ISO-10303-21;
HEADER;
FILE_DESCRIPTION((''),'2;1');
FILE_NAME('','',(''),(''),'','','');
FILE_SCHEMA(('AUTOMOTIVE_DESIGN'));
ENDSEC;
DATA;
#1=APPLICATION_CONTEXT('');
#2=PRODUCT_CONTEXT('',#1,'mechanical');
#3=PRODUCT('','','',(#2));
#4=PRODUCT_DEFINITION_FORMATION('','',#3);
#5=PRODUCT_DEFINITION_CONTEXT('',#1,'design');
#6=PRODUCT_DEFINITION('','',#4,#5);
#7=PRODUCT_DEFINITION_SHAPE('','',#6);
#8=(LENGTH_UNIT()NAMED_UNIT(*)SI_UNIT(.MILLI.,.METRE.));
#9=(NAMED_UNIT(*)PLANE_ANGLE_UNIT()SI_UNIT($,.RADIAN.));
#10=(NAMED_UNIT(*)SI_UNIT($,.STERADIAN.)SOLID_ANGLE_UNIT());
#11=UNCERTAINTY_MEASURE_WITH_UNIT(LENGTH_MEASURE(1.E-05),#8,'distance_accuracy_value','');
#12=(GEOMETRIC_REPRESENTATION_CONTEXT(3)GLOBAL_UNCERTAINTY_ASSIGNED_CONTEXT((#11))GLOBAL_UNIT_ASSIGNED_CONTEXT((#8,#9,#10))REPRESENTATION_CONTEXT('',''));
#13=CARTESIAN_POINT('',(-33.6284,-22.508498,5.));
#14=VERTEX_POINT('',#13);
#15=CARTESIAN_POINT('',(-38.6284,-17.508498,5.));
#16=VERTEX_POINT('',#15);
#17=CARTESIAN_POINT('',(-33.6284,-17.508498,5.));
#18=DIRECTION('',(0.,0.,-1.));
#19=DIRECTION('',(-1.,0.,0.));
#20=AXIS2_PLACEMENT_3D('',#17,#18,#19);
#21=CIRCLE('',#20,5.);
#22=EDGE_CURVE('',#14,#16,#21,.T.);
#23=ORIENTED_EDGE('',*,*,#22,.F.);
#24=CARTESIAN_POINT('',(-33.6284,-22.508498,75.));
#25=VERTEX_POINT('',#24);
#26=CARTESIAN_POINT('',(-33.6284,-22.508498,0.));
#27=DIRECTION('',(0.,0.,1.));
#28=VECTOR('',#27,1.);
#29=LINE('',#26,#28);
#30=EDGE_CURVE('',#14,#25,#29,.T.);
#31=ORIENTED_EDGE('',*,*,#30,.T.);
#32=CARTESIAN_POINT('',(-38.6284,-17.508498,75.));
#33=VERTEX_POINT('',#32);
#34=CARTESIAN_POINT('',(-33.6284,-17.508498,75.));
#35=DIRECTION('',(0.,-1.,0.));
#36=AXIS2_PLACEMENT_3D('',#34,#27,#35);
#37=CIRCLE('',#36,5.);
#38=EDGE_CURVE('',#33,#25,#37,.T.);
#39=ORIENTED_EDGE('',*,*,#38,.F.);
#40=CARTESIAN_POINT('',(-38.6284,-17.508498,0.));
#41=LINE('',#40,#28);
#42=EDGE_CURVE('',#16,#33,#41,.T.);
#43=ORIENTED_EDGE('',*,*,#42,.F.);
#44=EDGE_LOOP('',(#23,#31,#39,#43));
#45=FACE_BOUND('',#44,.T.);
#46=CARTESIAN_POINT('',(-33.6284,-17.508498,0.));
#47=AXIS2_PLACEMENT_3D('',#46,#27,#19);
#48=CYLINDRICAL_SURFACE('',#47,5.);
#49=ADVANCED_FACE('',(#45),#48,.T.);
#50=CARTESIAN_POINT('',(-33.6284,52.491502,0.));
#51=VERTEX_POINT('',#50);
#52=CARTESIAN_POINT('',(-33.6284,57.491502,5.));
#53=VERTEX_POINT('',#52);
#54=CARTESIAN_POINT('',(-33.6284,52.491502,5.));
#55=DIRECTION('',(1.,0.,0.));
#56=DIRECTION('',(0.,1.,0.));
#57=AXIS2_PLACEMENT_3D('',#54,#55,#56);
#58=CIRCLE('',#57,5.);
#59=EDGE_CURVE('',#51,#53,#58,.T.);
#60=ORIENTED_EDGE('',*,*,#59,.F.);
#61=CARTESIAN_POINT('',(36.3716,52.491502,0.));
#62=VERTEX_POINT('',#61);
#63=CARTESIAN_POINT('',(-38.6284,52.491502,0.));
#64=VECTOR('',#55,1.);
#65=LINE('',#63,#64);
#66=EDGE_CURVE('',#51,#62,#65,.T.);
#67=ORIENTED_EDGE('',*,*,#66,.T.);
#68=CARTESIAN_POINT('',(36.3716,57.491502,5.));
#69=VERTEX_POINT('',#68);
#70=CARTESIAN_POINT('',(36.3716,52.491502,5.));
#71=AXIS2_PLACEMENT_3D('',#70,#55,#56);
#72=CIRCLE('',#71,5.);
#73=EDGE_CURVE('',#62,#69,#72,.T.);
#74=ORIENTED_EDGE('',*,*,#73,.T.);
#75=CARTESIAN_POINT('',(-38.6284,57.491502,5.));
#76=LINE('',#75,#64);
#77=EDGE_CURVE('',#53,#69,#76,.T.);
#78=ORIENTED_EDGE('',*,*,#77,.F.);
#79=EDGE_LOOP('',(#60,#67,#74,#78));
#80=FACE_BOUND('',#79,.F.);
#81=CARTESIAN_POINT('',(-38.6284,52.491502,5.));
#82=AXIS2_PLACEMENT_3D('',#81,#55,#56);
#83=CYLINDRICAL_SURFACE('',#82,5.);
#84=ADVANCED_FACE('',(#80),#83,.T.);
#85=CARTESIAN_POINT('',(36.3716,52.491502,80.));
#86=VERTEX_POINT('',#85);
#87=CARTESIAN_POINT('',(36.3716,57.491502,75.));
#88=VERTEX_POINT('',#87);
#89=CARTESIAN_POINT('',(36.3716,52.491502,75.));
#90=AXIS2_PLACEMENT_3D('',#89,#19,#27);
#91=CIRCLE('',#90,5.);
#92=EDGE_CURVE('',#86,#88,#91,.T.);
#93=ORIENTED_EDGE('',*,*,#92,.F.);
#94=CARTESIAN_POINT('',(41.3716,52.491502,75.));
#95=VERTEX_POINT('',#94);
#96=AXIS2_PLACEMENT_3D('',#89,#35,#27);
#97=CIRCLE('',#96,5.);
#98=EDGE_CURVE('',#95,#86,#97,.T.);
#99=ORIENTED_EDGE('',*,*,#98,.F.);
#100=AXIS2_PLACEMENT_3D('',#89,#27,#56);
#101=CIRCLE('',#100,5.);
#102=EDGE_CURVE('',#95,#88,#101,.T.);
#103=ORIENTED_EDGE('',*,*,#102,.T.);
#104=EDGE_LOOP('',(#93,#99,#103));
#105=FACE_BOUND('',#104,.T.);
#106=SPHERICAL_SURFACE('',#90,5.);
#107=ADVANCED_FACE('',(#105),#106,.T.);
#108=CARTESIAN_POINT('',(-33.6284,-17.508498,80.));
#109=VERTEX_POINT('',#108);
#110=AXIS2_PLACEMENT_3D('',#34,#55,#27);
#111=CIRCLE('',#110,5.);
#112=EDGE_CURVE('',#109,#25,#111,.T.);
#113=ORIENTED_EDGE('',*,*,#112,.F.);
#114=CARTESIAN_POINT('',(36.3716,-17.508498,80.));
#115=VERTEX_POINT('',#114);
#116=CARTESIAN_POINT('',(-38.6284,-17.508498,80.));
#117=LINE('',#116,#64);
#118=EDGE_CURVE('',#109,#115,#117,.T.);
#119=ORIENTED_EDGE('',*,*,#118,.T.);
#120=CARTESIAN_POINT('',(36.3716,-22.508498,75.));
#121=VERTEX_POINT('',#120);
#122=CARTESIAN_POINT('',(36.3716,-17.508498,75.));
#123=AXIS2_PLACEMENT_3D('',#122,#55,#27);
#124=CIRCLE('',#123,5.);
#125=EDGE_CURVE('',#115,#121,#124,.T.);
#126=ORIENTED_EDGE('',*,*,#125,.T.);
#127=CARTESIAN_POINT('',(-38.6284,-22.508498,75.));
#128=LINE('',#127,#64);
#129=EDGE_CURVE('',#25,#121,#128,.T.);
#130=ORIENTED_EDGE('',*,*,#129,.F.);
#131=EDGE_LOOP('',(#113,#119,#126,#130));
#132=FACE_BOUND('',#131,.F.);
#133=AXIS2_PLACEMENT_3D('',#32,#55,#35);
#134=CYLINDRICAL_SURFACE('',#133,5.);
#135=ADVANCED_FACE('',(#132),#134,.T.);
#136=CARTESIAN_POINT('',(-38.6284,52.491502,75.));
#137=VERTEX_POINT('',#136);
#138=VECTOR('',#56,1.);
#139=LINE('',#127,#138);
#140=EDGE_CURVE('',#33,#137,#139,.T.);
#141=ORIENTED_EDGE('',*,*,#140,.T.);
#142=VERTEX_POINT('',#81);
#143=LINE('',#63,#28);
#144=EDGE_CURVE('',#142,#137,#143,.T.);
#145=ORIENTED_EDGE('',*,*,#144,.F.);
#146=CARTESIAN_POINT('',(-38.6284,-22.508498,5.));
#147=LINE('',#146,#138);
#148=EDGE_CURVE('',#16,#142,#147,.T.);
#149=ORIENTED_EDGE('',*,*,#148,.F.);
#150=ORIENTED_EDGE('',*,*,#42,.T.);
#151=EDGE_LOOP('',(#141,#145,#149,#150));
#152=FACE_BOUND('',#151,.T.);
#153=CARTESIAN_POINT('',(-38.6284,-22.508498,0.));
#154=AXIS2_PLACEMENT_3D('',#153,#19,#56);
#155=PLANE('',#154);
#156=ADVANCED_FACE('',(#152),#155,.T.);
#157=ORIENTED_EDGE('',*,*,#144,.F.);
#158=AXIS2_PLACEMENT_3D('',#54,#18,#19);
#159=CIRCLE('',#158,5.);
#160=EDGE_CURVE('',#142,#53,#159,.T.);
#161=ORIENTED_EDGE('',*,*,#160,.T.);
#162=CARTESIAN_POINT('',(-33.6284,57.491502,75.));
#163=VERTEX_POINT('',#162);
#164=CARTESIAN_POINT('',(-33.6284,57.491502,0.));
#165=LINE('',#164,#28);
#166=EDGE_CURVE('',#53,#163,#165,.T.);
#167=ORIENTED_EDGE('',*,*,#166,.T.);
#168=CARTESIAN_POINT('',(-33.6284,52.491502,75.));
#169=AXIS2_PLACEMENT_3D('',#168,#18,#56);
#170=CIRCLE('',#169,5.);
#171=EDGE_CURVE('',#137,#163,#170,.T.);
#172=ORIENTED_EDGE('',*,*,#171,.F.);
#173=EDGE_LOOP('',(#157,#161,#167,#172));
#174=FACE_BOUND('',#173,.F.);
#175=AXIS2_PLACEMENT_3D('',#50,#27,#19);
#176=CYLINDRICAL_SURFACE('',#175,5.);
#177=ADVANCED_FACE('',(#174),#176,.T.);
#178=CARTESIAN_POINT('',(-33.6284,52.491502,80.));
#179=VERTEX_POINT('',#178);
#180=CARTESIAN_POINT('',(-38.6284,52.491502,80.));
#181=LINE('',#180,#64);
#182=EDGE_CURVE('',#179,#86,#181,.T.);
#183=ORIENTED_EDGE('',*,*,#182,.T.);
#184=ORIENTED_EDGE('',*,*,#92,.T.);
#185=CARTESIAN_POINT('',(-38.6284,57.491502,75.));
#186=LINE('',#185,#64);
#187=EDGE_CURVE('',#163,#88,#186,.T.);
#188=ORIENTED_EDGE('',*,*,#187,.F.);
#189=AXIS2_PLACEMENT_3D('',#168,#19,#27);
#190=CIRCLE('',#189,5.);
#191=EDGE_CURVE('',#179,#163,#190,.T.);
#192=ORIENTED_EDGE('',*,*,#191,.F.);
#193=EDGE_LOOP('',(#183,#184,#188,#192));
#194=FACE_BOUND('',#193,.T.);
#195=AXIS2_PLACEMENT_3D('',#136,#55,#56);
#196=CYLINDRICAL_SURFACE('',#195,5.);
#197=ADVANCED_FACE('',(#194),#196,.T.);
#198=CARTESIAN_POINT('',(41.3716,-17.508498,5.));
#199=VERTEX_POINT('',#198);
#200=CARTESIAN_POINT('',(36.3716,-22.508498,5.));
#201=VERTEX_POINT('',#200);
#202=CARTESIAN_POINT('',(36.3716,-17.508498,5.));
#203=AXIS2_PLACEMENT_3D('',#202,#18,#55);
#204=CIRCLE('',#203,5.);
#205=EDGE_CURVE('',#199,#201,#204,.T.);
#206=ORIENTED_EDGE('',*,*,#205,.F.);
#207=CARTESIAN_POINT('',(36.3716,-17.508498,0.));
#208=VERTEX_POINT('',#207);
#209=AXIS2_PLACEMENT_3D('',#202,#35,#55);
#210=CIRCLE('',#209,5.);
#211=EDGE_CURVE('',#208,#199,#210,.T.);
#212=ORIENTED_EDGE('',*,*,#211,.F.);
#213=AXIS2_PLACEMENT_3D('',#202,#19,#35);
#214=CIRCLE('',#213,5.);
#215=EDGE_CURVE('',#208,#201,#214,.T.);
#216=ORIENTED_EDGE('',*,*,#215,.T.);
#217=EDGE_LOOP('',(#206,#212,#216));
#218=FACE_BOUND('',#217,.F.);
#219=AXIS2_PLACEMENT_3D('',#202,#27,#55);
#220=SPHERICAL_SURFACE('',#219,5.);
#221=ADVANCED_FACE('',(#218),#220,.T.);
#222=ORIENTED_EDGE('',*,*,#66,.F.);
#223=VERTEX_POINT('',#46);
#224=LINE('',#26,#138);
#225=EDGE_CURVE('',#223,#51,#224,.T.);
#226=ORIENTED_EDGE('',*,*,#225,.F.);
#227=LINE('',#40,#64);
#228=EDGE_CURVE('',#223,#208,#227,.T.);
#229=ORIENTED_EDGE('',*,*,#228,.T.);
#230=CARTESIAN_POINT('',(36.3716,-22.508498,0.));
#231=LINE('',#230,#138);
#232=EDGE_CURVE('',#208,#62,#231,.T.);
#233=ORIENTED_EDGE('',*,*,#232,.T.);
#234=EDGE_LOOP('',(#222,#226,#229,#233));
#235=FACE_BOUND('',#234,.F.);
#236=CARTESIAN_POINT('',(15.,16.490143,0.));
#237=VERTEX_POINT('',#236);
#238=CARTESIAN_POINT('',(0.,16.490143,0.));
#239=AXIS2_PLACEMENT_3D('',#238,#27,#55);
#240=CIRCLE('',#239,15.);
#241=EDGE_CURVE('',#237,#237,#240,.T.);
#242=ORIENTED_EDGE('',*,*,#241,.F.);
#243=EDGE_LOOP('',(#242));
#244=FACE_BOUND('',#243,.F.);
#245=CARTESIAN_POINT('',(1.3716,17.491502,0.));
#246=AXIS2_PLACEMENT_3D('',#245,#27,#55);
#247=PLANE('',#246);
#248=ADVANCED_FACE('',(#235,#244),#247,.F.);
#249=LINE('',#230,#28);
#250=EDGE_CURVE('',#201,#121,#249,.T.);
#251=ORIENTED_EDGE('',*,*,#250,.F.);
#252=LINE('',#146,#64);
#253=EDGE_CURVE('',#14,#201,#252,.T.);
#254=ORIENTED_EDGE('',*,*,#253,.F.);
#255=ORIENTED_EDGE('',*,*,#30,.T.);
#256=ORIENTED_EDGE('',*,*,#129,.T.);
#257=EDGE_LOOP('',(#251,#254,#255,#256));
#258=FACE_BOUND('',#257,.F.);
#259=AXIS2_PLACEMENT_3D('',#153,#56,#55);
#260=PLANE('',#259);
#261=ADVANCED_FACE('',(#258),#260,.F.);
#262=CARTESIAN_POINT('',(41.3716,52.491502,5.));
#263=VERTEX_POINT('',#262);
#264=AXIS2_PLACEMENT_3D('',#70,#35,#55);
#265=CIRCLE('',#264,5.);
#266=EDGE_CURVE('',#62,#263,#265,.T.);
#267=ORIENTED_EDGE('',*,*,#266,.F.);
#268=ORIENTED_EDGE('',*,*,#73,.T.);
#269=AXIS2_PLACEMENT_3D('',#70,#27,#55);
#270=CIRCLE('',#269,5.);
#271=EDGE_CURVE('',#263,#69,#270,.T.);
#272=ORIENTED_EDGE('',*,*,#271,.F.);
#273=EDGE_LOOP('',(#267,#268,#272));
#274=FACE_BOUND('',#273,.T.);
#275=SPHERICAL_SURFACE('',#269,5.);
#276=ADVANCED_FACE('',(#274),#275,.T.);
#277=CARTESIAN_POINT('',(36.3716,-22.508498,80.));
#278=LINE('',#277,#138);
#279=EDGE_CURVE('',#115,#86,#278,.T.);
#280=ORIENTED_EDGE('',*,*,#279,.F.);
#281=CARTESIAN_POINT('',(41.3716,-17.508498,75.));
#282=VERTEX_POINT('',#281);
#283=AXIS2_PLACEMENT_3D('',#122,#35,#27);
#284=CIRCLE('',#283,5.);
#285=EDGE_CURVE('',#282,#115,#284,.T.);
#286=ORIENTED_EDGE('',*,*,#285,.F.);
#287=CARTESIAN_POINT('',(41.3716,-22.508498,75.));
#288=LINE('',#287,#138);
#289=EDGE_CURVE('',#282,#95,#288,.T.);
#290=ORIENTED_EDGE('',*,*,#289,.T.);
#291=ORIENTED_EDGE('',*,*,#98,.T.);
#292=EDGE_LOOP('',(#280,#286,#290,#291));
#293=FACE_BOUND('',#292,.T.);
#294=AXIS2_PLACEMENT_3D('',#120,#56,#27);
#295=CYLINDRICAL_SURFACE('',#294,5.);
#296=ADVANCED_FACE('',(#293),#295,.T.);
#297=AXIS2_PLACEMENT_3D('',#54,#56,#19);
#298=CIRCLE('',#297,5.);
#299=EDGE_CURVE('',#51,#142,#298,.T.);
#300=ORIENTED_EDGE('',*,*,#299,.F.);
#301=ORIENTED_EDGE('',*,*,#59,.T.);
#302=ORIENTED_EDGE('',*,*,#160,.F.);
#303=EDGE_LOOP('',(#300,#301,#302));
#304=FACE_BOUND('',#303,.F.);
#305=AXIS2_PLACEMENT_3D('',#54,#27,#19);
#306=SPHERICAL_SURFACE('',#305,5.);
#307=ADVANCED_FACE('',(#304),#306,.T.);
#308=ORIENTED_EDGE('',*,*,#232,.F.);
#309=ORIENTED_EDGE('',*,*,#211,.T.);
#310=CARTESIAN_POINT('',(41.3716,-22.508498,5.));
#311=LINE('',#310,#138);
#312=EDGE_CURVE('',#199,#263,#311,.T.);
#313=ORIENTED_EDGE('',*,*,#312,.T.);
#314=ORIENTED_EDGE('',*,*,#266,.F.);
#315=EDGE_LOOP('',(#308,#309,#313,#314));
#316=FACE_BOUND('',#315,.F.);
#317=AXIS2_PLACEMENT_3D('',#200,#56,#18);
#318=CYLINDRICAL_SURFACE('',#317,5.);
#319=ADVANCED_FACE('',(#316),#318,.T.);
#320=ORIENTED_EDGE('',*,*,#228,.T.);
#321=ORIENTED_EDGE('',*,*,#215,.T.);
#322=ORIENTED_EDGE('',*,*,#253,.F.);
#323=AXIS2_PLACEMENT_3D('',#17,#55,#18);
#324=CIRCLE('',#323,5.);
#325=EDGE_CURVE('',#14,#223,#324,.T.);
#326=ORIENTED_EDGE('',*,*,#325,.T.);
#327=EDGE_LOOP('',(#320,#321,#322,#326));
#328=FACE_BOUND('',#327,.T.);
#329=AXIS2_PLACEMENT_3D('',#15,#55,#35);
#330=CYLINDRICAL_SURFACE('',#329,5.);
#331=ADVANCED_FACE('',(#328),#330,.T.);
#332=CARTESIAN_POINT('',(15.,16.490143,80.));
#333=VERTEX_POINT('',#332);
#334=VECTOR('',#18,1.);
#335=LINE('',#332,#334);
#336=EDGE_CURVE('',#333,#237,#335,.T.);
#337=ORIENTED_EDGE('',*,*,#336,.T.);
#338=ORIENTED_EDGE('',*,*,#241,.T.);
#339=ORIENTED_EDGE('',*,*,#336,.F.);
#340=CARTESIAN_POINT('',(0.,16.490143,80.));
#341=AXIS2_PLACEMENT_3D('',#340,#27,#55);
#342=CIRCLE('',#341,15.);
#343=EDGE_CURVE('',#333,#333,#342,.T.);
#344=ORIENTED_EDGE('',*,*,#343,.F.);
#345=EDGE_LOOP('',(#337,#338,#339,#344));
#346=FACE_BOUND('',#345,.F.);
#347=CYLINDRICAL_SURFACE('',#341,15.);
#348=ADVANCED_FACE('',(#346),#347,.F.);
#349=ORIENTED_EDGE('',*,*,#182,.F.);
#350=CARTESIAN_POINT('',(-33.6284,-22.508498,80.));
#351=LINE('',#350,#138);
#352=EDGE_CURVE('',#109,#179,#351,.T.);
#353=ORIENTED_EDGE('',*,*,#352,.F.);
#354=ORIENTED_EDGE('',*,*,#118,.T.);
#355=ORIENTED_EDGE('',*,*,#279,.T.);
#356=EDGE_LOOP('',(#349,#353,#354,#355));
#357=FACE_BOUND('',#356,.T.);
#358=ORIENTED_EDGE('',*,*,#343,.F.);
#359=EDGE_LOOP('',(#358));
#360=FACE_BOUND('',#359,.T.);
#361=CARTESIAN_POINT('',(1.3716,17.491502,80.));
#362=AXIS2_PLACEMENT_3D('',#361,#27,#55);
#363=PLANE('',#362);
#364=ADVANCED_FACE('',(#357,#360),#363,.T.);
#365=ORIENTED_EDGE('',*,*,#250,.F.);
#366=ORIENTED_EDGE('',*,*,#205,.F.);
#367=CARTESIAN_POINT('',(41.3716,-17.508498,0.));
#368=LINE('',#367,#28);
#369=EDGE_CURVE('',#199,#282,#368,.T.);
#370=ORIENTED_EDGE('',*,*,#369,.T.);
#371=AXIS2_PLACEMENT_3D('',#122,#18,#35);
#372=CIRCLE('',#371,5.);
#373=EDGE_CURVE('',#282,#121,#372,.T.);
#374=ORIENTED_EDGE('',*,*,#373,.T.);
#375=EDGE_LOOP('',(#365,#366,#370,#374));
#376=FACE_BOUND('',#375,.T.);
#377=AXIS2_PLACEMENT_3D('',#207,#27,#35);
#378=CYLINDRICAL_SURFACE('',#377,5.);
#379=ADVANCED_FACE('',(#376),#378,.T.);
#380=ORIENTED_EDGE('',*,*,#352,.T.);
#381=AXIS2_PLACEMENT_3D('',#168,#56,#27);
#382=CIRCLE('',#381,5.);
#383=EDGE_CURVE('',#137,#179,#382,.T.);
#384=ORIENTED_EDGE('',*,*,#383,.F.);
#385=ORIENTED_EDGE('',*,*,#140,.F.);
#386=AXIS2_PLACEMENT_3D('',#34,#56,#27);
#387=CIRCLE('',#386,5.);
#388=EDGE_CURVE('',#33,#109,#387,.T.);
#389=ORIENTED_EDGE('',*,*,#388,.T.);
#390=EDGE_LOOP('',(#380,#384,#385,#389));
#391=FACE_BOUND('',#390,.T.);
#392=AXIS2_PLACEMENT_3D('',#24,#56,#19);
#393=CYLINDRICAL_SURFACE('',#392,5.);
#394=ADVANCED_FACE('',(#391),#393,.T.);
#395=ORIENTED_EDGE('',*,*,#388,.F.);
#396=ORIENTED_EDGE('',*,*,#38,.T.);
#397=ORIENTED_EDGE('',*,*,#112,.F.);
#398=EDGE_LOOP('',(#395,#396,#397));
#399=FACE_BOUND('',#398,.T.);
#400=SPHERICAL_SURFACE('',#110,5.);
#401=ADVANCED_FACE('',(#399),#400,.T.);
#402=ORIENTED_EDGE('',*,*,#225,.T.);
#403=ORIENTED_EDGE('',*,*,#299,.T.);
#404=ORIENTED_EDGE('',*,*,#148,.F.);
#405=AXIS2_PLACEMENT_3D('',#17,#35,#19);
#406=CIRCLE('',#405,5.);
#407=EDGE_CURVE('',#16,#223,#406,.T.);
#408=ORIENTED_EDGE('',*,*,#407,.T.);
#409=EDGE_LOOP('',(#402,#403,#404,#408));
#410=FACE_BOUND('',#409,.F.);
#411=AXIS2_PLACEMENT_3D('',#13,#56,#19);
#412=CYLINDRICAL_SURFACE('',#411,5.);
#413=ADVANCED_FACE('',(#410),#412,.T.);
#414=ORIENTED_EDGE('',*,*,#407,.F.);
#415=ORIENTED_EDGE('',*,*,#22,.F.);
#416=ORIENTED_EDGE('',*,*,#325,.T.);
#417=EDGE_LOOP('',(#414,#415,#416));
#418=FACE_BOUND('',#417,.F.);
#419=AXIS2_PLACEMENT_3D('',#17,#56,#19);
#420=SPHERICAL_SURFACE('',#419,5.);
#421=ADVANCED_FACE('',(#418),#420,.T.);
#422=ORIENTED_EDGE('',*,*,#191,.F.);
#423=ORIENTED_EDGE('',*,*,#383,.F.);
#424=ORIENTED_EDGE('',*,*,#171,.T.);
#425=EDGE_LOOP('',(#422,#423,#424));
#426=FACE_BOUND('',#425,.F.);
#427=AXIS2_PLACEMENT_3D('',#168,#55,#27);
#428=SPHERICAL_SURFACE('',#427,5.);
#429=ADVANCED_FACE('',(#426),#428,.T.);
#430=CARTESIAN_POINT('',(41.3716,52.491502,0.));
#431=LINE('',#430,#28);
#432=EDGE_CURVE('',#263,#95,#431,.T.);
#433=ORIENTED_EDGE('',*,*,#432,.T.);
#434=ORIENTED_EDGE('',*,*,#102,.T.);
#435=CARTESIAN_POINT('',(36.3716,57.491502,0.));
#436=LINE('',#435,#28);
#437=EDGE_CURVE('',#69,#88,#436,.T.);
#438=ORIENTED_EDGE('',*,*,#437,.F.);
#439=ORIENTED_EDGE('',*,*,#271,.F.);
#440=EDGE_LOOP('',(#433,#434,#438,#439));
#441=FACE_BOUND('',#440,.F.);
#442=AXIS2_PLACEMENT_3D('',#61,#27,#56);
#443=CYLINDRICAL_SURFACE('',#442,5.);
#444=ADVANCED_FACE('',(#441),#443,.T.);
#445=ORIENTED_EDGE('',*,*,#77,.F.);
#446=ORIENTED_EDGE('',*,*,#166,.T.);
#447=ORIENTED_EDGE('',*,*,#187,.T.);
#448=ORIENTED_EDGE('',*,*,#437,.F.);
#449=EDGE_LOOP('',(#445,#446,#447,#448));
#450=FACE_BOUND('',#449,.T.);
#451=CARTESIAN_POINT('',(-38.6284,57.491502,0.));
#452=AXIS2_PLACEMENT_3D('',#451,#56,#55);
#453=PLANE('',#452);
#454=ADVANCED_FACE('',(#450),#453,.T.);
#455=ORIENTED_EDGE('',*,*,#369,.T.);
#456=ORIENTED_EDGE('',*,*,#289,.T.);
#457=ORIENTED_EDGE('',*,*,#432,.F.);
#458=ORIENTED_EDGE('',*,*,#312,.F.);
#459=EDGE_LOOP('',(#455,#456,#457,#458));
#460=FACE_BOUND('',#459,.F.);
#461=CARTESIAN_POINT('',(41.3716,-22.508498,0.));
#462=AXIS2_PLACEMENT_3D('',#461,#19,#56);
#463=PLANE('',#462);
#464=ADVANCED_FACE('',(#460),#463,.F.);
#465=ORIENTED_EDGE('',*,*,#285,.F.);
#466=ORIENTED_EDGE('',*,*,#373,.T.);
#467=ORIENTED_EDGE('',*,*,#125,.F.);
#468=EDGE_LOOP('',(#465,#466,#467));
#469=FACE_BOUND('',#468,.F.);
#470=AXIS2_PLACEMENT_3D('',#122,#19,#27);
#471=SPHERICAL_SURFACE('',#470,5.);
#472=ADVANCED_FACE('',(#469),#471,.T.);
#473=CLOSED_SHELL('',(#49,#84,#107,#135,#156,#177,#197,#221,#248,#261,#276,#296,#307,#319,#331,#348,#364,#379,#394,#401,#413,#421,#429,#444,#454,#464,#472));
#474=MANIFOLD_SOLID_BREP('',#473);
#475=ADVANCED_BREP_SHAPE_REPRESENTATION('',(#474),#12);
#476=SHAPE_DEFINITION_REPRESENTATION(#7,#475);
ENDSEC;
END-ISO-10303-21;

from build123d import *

# Parameters (mm, degrees)
F0_W     = 80
F0_H     = 80
F1_DEPTH = 80
F2_R     = 15
F3_DEPTH = 80.001
F4_R     = 5


with BuildPart() as f1:
    # F0 (on Top) → F1 (new body)
    with BuildSketch(Plane.XY):
        with Locations((1.3716, 17.491502)):
            Rectangle(F0_W, F0_H)
    extrude(amount=F1_DEPTH)

    # F2 (on face) → F3 (cut, through all)
    with BuildSketch(Plane.XY.offset(80)):
        with Locations((0, 16.490143)):
            Circle(F2_R)
    extrude(amount=-F3_DEPTH, mode=Mode.SUBTRACT)

    # F4
    f4_edges = [f1.edges().sort_by_distance(p)[0] for p in [
        (1.3716, 57.491502, 80),
        (1.3716, -22.508498, 80),
        (-38.6284, 17.491502, 80),
        (41.3716, 17.491502, 80),
        (41.3716, 57.491502, 40),
        (41.3716, -22.508498, 40),
        (41.3716, 17.491502, 0),
        (-38.6284, 57.491502, 40),
        (-38.6284, 17.491502, 0),
        (-38.6284, -22.508498, 40),
        (1.3716, 57.491502, 0),
        (1.3716, -22.508498, 0),
    ]]
    fillet(f4_edges, radius=F4_R)


solid = f1.part
